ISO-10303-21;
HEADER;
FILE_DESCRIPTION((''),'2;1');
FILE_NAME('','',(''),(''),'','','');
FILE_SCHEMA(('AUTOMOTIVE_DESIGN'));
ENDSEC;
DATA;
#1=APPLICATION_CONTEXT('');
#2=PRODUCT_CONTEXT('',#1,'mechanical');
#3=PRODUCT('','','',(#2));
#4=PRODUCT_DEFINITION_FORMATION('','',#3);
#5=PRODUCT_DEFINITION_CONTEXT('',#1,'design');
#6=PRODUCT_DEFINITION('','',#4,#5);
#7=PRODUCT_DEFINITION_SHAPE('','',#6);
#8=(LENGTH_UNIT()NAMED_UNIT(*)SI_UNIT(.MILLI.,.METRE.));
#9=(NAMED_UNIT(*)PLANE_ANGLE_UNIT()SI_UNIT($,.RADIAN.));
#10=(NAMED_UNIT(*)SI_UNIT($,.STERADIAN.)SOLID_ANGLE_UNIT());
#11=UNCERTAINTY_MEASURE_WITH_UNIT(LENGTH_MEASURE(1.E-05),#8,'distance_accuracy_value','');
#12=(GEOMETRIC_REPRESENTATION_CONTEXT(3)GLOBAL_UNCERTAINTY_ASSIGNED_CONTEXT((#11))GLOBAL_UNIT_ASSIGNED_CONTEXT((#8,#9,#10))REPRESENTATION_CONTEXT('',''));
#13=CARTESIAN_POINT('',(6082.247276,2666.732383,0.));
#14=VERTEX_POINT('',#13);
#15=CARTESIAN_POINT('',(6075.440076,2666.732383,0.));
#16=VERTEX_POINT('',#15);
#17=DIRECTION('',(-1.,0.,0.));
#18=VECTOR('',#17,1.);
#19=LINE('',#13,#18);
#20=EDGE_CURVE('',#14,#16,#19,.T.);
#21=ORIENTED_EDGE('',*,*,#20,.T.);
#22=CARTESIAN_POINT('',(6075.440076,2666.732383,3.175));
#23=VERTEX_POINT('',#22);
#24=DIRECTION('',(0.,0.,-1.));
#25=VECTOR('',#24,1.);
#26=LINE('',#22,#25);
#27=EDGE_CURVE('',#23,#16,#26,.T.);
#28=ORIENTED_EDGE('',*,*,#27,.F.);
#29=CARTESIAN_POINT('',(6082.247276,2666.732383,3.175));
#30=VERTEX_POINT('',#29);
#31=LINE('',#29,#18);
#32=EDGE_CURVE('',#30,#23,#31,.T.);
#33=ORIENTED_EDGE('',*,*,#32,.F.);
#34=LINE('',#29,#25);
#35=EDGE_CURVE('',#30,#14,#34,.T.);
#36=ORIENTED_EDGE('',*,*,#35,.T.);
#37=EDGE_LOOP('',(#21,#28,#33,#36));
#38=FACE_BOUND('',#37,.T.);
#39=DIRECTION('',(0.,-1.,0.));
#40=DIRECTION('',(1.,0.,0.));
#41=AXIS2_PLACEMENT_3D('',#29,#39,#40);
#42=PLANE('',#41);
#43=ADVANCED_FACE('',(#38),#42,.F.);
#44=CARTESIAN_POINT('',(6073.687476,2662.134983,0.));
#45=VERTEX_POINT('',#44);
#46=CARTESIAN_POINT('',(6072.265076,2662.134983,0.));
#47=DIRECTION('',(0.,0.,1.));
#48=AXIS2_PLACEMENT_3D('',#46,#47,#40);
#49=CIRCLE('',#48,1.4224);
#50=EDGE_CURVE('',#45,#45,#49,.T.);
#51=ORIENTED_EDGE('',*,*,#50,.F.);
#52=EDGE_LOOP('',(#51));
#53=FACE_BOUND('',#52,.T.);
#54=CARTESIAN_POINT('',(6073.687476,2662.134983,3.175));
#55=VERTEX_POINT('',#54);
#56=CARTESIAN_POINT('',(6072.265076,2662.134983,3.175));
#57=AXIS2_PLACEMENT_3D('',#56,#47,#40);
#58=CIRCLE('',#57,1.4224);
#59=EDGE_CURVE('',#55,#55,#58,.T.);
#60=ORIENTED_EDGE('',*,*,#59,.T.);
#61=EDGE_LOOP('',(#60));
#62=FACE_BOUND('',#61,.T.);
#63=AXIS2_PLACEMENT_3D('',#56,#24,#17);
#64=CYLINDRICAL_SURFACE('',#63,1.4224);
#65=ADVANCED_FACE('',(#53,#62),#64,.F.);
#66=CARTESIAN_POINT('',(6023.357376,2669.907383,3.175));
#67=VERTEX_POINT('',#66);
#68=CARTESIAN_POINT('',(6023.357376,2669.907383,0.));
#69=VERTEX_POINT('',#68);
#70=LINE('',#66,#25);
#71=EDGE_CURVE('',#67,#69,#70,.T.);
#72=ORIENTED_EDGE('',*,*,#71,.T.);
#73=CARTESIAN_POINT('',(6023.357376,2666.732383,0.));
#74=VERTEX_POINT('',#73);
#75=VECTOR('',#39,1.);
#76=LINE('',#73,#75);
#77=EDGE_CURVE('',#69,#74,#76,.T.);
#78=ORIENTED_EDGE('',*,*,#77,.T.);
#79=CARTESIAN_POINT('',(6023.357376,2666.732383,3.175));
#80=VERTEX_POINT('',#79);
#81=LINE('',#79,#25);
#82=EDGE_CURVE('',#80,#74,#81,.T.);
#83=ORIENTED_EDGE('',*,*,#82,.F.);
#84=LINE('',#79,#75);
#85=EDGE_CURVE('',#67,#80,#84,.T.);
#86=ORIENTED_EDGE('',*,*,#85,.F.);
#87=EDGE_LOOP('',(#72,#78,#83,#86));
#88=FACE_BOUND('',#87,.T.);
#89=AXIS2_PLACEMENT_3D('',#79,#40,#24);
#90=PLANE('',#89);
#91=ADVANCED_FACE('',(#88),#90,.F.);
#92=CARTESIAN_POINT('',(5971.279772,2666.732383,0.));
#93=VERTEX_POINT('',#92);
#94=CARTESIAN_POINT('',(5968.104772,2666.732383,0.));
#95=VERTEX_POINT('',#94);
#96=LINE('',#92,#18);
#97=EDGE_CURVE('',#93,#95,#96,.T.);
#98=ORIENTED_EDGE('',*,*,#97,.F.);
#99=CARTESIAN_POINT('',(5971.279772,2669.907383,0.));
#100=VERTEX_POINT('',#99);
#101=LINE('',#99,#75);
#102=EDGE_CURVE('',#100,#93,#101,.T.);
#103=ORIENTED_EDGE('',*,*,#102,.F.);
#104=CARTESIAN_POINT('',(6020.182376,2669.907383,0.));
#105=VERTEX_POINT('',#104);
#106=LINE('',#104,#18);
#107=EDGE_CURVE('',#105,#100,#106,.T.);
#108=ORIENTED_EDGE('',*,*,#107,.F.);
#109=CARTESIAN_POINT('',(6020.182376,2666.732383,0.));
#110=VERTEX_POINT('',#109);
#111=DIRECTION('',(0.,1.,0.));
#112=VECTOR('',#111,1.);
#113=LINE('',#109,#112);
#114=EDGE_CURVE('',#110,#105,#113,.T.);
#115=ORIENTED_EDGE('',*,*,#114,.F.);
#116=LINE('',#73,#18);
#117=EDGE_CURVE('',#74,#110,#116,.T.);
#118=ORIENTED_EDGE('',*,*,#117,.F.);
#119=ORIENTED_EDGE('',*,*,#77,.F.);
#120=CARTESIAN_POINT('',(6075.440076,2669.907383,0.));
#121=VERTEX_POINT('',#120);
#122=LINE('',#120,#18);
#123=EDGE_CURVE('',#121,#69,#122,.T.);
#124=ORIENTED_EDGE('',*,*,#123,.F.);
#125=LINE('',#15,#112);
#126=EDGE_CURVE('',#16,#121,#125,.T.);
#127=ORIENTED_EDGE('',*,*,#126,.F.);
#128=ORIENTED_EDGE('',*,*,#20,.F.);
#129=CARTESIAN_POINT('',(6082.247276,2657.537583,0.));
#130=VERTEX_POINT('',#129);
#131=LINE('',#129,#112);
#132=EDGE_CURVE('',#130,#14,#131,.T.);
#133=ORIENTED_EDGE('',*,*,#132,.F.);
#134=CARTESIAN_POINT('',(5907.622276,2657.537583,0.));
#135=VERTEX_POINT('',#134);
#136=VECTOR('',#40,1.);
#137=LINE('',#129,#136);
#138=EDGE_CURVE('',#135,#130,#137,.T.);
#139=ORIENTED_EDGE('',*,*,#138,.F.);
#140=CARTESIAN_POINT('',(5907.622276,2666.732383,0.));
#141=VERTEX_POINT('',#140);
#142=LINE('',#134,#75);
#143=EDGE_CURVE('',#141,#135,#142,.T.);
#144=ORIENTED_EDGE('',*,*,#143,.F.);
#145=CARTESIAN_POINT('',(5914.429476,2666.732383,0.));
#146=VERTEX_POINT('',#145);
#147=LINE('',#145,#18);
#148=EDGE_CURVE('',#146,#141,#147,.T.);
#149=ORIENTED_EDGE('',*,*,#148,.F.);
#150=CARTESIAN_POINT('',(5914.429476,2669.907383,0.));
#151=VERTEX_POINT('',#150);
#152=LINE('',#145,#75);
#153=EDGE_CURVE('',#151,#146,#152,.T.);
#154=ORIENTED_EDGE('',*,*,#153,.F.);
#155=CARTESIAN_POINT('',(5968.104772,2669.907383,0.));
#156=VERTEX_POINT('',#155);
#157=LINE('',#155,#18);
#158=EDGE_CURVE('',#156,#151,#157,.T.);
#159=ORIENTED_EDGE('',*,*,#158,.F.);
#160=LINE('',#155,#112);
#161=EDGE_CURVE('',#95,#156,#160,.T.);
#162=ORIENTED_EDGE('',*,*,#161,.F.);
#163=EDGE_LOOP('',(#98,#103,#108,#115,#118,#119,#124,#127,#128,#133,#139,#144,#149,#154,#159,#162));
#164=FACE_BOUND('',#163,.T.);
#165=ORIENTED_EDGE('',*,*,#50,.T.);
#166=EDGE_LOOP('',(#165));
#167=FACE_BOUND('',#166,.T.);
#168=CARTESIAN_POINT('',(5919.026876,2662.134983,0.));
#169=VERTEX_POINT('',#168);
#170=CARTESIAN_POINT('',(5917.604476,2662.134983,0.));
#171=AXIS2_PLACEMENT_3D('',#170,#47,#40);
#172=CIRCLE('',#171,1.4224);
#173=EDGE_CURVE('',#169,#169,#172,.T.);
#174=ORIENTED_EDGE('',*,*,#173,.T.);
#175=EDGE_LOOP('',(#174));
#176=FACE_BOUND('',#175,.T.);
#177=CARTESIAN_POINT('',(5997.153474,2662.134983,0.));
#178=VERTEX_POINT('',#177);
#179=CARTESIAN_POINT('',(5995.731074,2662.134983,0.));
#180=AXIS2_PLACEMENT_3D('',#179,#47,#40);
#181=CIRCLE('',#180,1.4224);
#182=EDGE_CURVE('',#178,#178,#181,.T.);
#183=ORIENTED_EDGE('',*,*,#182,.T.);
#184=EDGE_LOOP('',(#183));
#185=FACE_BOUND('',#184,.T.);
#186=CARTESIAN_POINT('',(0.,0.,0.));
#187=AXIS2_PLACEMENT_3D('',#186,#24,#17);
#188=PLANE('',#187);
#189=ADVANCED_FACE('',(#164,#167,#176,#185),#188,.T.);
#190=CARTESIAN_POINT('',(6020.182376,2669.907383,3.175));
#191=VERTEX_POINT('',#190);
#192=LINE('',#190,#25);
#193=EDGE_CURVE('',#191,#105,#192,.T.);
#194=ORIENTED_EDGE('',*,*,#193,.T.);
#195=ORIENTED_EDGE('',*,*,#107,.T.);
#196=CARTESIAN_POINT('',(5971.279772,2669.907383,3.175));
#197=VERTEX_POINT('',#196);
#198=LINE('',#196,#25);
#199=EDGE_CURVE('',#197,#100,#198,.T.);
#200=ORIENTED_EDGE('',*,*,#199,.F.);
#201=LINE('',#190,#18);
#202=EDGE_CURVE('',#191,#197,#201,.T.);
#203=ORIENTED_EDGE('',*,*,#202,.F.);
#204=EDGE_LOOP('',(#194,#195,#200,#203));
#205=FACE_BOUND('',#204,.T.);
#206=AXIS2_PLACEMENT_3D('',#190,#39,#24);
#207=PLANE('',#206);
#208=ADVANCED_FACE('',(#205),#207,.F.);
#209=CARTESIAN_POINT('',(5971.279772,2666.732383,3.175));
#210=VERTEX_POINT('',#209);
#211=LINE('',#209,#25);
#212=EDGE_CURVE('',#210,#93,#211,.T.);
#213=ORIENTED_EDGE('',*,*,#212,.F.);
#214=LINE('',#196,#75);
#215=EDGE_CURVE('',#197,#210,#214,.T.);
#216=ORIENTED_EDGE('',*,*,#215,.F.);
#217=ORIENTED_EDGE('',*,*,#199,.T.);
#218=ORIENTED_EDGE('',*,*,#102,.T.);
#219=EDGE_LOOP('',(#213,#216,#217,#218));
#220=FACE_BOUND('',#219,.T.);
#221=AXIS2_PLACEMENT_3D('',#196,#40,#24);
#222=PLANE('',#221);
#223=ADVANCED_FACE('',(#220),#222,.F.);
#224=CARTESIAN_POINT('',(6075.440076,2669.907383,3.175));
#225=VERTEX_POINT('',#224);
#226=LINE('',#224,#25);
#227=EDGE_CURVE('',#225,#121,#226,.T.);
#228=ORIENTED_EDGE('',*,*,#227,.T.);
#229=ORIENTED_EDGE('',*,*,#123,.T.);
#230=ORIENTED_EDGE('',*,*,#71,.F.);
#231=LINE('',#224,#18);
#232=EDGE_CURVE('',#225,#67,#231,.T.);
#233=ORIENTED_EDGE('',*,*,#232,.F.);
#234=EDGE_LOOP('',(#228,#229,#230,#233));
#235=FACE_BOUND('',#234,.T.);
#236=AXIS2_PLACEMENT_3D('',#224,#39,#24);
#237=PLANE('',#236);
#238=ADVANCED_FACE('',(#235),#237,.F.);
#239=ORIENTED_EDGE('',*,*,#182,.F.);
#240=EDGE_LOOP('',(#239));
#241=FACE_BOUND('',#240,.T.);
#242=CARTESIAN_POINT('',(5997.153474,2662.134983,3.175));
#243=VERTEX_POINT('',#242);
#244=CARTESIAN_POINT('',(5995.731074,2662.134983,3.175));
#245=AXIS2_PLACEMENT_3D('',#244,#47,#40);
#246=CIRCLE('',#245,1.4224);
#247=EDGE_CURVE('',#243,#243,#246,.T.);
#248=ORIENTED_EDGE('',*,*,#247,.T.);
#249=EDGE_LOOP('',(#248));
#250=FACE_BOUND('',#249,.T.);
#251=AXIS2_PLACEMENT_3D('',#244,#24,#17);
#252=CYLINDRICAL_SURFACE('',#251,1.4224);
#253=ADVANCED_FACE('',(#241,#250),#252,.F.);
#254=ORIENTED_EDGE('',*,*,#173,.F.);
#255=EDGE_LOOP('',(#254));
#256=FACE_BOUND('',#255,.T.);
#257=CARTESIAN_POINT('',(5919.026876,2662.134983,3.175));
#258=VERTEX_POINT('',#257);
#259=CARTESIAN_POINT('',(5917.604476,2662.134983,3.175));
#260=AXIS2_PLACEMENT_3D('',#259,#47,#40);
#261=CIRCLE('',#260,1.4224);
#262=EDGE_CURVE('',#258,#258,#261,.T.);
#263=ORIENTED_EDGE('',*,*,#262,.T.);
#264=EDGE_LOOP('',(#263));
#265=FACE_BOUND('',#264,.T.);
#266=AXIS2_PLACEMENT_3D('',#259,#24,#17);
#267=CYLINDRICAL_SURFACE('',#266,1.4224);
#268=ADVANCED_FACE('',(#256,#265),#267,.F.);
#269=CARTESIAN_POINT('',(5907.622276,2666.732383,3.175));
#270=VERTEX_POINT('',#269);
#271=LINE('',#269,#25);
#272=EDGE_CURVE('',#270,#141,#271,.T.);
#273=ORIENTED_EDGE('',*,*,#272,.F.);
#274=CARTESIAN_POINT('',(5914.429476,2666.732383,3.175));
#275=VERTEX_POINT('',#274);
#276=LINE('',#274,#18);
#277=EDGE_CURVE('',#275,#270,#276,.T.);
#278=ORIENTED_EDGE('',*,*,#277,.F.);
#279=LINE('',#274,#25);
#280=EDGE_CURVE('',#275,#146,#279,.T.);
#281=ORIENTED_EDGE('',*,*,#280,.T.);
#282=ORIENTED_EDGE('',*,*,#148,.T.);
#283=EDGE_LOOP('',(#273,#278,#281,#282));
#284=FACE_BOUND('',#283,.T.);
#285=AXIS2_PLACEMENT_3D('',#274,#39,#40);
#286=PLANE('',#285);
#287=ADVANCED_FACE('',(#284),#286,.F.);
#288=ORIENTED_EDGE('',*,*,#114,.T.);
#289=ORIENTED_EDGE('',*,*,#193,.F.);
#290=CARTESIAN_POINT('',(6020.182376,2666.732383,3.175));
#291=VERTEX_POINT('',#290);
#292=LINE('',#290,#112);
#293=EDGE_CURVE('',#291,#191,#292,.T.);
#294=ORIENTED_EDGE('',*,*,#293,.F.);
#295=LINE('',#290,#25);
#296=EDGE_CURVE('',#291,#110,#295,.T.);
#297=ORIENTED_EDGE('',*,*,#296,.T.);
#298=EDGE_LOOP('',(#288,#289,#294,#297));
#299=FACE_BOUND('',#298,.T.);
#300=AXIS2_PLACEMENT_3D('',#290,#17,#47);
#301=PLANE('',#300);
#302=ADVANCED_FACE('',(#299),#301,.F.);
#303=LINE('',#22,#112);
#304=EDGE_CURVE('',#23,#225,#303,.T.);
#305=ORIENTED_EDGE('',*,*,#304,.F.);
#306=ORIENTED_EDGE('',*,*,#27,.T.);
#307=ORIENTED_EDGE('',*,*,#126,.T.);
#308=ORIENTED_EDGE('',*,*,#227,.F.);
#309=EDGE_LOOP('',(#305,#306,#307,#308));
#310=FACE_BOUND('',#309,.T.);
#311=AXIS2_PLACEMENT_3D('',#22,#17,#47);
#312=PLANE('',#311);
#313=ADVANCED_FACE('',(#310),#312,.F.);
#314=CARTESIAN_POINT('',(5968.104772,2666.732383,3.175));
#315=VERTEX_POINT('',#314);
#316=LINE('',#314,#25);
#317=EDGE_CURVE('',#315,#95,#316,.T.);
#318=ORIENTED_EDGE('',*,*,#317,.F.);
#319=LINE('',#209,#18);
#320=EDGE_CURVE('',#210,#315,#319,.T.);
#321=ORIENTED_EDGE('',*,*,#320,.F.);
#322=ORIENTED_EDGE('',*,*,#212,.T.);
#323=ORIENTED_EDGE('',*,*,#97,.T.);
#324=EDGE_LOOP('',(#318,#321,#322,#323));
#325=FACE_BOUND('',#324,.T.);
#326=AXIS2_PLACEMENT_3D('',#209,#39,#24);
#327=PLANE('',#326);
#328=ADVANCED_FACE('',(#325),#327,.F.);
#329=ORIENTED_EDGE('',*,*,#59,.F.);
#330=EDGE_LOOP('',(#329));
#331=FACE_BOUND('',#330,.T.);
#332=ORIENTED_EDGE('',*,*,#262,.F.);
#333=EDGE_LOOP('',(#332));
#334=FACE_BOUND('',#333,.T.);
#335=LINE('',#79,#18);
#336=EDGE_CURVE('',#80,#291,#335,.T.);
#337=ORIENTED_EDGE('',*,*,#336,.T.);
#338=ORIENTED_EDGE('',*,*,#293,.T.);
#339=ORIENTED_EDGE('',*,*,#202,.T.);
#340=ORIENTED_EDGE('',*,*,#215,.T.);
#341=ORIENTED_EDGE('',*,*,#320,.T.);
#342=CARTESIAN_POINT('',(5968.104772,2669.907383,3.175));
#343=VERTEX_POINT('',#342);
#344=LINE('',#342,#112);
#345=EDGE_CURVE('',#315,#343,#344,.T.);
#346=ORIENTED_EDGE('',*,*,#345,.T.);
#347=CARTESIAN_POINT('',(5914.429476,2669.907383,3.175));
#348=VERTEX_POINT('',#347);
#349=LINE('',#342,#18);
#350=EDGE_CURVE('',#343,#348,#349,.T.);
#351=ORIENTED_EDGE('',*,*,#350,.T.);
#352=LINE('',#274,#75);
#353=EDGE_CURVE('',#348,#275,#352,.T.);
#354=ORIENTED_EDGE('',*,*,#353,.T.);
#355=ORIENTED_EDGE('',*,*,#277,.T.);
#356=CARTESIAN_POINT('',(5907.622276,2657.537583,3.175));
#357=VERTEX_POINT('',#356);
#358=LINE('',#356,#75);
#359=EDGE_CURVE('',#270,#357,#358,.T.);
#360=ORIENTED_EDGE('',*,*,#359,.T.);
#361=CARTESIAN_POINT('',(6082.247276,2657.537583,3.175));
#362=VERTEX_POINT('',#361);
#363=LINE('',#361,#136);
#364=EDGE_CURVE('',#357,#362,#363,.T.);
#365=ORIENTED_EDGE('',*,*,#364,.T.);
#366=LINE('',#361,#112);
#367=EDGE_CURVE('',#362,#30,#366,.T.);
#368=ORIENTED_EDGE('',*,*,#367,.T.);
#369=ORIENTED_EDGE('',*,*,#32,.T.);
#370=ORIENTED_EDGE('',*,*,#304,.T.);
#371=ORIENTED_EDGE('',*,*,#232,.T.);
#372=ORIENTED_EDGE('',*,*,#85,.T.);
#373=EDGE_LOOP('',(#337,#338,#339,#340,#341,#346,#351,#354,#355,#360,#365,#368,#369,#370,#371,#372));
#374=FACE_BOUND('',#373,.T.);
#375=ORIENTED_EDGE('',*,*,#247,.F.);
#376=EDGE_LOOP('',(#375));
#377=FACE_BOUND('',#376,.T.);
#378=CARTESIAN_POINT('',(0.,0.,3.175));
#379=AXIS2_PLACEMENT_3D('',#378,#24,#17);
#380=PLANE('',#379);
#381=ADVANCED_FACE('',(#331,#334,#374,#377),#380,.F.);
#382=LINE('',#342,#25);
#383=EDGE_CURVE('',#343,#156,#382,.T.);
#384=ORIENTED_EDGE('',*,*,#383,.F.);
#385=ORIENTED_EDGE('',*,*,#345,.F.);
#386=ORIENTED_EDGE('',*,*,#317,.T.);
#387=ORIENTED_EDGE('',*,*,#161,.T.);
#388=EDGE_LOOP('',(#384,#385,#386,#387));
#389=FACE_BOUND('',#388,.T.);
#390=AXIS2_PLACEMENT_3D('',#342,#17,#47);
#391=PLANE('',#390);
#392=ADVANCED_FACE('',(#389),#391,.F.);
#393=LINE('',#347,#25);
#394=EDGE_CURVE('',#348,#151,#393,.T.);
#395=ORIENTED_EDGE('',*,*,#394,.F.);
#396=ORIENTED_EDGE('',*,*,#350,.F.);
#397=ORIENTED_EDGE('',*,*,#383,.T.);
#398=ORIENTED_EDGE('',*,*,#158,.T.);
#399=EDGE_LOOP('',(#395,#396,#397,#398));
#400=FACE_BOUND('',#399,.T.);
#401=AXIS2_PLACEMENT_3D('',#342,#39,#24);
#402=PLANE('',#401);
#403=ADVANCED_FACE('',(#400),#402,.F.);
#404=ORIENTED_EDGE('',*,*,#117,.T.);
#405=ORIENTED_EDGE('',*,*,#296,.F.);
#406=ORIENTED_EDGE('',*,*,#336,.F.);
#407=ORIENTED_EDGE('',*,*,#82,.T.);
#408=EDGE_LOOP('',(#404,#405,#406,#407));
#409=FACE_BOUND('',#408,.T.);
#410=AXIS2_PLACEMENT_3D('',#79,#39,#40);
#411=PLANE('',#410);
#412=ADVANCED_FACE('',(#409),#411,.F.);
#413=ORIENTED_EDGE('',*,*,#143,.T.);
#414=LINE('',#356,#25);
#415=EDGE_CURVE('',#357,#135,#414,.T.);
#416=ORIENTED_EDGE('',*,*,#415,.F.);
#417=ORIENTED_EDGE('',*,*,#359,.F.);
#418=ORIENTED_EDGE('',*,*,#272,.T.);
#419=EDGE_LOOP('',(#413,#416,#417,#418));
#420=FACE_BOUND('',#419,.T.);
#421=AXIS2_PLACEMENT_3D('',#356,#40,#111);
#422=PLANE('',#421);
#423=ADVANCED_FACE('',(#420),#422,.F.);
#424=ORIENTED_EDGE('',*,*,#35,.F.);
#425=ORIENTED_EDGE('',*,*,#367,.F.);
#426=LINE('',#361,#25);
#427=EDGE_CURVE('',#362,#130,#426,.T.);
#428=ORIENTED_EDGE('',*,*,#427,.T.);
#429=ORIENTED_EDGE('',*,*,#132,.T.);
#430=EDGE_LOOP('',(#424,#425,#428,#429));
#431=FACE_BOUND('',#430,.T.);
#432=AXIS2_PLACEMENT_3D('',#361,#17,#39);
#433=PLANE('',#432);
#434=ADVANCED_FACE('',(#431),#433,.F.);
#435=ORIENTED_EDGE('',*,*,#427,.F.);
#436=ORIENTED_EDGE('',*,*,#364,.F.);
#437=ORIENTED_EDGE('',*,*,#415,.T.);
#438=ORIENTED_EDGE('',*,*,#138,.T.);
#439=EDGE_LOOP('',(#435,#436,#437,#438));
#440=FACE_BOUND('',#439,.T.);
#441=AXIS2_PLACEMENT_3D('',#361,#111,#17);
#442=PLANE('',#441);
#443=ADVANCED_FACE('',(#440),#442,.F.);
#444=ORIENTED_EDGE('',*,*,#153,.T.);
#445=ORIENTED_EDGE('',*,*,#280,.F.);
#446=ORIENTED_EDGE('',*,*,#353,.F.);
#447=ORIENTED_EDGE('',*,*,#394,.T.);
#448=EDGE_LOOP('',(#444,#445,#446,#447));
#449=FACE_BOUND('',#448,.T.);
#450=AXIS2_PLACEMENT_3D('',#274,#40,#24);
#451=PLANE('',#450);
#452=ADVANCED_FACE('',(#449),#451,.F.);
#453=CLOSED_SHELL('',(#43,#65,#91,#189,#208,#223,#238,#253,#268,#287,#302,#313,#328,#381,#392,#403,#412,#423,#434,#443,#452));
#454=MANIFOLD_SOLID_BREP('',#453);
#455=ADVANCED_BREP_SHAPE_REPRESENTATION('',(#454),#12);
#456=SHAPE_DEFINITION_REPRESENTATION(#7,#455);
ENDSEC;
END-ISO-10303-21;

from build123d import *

# Parameters (mm, degrees)
SKETCH1_R           = 1.4224
BOSS_EXTRUDE1_DEPTH = 3.175


with BuildPart() as part:
    # Sketch1 → Boss-Extrude1 (new body)
    with BuildSketch(Plane.XY):
        Polygon((6075.440076302, 2666.732382812), (6075.440076302, 2669.907382812), (6023.357376302, 2669.907382812), (6023.357376302, 2666.732382812), (6020.182376302, 2666.732382812), (6020.182376302, 2669.907382812), (5971.279772433, 2669.907382812), (5971.279772433, 2666.732382812), (5968.104772433, 2666.732382812), (5968.104772433, 2669.907382812), (5914.429476302, 2669.907382812), (5914.429476302, 2666.732382812), (5907.622276302, 2666.732382812), (5907.622276302, 2657.537582812), (6082.247276302, 2657.537582812), (6082.247276302, 2666.732382812), align=None)
        with Locations((5995.731074367, 2662.134982812)):
            Circle(SKETCH1_R, mode=Mode.SUBTRACT)
        with Locations((5917.604476302, 2662.134982812)):
            Circle(SKETCH1_R, mode=Mode.SUBTRACT)
        with Locations((6072.265076302, 2662.134982812)):
            Circle(SKETCH1_R, mode=Mode.SUBTRACT)
    extrude(amount=BOSS_EXTRUDE1_DEPTH)


solid = part.part
